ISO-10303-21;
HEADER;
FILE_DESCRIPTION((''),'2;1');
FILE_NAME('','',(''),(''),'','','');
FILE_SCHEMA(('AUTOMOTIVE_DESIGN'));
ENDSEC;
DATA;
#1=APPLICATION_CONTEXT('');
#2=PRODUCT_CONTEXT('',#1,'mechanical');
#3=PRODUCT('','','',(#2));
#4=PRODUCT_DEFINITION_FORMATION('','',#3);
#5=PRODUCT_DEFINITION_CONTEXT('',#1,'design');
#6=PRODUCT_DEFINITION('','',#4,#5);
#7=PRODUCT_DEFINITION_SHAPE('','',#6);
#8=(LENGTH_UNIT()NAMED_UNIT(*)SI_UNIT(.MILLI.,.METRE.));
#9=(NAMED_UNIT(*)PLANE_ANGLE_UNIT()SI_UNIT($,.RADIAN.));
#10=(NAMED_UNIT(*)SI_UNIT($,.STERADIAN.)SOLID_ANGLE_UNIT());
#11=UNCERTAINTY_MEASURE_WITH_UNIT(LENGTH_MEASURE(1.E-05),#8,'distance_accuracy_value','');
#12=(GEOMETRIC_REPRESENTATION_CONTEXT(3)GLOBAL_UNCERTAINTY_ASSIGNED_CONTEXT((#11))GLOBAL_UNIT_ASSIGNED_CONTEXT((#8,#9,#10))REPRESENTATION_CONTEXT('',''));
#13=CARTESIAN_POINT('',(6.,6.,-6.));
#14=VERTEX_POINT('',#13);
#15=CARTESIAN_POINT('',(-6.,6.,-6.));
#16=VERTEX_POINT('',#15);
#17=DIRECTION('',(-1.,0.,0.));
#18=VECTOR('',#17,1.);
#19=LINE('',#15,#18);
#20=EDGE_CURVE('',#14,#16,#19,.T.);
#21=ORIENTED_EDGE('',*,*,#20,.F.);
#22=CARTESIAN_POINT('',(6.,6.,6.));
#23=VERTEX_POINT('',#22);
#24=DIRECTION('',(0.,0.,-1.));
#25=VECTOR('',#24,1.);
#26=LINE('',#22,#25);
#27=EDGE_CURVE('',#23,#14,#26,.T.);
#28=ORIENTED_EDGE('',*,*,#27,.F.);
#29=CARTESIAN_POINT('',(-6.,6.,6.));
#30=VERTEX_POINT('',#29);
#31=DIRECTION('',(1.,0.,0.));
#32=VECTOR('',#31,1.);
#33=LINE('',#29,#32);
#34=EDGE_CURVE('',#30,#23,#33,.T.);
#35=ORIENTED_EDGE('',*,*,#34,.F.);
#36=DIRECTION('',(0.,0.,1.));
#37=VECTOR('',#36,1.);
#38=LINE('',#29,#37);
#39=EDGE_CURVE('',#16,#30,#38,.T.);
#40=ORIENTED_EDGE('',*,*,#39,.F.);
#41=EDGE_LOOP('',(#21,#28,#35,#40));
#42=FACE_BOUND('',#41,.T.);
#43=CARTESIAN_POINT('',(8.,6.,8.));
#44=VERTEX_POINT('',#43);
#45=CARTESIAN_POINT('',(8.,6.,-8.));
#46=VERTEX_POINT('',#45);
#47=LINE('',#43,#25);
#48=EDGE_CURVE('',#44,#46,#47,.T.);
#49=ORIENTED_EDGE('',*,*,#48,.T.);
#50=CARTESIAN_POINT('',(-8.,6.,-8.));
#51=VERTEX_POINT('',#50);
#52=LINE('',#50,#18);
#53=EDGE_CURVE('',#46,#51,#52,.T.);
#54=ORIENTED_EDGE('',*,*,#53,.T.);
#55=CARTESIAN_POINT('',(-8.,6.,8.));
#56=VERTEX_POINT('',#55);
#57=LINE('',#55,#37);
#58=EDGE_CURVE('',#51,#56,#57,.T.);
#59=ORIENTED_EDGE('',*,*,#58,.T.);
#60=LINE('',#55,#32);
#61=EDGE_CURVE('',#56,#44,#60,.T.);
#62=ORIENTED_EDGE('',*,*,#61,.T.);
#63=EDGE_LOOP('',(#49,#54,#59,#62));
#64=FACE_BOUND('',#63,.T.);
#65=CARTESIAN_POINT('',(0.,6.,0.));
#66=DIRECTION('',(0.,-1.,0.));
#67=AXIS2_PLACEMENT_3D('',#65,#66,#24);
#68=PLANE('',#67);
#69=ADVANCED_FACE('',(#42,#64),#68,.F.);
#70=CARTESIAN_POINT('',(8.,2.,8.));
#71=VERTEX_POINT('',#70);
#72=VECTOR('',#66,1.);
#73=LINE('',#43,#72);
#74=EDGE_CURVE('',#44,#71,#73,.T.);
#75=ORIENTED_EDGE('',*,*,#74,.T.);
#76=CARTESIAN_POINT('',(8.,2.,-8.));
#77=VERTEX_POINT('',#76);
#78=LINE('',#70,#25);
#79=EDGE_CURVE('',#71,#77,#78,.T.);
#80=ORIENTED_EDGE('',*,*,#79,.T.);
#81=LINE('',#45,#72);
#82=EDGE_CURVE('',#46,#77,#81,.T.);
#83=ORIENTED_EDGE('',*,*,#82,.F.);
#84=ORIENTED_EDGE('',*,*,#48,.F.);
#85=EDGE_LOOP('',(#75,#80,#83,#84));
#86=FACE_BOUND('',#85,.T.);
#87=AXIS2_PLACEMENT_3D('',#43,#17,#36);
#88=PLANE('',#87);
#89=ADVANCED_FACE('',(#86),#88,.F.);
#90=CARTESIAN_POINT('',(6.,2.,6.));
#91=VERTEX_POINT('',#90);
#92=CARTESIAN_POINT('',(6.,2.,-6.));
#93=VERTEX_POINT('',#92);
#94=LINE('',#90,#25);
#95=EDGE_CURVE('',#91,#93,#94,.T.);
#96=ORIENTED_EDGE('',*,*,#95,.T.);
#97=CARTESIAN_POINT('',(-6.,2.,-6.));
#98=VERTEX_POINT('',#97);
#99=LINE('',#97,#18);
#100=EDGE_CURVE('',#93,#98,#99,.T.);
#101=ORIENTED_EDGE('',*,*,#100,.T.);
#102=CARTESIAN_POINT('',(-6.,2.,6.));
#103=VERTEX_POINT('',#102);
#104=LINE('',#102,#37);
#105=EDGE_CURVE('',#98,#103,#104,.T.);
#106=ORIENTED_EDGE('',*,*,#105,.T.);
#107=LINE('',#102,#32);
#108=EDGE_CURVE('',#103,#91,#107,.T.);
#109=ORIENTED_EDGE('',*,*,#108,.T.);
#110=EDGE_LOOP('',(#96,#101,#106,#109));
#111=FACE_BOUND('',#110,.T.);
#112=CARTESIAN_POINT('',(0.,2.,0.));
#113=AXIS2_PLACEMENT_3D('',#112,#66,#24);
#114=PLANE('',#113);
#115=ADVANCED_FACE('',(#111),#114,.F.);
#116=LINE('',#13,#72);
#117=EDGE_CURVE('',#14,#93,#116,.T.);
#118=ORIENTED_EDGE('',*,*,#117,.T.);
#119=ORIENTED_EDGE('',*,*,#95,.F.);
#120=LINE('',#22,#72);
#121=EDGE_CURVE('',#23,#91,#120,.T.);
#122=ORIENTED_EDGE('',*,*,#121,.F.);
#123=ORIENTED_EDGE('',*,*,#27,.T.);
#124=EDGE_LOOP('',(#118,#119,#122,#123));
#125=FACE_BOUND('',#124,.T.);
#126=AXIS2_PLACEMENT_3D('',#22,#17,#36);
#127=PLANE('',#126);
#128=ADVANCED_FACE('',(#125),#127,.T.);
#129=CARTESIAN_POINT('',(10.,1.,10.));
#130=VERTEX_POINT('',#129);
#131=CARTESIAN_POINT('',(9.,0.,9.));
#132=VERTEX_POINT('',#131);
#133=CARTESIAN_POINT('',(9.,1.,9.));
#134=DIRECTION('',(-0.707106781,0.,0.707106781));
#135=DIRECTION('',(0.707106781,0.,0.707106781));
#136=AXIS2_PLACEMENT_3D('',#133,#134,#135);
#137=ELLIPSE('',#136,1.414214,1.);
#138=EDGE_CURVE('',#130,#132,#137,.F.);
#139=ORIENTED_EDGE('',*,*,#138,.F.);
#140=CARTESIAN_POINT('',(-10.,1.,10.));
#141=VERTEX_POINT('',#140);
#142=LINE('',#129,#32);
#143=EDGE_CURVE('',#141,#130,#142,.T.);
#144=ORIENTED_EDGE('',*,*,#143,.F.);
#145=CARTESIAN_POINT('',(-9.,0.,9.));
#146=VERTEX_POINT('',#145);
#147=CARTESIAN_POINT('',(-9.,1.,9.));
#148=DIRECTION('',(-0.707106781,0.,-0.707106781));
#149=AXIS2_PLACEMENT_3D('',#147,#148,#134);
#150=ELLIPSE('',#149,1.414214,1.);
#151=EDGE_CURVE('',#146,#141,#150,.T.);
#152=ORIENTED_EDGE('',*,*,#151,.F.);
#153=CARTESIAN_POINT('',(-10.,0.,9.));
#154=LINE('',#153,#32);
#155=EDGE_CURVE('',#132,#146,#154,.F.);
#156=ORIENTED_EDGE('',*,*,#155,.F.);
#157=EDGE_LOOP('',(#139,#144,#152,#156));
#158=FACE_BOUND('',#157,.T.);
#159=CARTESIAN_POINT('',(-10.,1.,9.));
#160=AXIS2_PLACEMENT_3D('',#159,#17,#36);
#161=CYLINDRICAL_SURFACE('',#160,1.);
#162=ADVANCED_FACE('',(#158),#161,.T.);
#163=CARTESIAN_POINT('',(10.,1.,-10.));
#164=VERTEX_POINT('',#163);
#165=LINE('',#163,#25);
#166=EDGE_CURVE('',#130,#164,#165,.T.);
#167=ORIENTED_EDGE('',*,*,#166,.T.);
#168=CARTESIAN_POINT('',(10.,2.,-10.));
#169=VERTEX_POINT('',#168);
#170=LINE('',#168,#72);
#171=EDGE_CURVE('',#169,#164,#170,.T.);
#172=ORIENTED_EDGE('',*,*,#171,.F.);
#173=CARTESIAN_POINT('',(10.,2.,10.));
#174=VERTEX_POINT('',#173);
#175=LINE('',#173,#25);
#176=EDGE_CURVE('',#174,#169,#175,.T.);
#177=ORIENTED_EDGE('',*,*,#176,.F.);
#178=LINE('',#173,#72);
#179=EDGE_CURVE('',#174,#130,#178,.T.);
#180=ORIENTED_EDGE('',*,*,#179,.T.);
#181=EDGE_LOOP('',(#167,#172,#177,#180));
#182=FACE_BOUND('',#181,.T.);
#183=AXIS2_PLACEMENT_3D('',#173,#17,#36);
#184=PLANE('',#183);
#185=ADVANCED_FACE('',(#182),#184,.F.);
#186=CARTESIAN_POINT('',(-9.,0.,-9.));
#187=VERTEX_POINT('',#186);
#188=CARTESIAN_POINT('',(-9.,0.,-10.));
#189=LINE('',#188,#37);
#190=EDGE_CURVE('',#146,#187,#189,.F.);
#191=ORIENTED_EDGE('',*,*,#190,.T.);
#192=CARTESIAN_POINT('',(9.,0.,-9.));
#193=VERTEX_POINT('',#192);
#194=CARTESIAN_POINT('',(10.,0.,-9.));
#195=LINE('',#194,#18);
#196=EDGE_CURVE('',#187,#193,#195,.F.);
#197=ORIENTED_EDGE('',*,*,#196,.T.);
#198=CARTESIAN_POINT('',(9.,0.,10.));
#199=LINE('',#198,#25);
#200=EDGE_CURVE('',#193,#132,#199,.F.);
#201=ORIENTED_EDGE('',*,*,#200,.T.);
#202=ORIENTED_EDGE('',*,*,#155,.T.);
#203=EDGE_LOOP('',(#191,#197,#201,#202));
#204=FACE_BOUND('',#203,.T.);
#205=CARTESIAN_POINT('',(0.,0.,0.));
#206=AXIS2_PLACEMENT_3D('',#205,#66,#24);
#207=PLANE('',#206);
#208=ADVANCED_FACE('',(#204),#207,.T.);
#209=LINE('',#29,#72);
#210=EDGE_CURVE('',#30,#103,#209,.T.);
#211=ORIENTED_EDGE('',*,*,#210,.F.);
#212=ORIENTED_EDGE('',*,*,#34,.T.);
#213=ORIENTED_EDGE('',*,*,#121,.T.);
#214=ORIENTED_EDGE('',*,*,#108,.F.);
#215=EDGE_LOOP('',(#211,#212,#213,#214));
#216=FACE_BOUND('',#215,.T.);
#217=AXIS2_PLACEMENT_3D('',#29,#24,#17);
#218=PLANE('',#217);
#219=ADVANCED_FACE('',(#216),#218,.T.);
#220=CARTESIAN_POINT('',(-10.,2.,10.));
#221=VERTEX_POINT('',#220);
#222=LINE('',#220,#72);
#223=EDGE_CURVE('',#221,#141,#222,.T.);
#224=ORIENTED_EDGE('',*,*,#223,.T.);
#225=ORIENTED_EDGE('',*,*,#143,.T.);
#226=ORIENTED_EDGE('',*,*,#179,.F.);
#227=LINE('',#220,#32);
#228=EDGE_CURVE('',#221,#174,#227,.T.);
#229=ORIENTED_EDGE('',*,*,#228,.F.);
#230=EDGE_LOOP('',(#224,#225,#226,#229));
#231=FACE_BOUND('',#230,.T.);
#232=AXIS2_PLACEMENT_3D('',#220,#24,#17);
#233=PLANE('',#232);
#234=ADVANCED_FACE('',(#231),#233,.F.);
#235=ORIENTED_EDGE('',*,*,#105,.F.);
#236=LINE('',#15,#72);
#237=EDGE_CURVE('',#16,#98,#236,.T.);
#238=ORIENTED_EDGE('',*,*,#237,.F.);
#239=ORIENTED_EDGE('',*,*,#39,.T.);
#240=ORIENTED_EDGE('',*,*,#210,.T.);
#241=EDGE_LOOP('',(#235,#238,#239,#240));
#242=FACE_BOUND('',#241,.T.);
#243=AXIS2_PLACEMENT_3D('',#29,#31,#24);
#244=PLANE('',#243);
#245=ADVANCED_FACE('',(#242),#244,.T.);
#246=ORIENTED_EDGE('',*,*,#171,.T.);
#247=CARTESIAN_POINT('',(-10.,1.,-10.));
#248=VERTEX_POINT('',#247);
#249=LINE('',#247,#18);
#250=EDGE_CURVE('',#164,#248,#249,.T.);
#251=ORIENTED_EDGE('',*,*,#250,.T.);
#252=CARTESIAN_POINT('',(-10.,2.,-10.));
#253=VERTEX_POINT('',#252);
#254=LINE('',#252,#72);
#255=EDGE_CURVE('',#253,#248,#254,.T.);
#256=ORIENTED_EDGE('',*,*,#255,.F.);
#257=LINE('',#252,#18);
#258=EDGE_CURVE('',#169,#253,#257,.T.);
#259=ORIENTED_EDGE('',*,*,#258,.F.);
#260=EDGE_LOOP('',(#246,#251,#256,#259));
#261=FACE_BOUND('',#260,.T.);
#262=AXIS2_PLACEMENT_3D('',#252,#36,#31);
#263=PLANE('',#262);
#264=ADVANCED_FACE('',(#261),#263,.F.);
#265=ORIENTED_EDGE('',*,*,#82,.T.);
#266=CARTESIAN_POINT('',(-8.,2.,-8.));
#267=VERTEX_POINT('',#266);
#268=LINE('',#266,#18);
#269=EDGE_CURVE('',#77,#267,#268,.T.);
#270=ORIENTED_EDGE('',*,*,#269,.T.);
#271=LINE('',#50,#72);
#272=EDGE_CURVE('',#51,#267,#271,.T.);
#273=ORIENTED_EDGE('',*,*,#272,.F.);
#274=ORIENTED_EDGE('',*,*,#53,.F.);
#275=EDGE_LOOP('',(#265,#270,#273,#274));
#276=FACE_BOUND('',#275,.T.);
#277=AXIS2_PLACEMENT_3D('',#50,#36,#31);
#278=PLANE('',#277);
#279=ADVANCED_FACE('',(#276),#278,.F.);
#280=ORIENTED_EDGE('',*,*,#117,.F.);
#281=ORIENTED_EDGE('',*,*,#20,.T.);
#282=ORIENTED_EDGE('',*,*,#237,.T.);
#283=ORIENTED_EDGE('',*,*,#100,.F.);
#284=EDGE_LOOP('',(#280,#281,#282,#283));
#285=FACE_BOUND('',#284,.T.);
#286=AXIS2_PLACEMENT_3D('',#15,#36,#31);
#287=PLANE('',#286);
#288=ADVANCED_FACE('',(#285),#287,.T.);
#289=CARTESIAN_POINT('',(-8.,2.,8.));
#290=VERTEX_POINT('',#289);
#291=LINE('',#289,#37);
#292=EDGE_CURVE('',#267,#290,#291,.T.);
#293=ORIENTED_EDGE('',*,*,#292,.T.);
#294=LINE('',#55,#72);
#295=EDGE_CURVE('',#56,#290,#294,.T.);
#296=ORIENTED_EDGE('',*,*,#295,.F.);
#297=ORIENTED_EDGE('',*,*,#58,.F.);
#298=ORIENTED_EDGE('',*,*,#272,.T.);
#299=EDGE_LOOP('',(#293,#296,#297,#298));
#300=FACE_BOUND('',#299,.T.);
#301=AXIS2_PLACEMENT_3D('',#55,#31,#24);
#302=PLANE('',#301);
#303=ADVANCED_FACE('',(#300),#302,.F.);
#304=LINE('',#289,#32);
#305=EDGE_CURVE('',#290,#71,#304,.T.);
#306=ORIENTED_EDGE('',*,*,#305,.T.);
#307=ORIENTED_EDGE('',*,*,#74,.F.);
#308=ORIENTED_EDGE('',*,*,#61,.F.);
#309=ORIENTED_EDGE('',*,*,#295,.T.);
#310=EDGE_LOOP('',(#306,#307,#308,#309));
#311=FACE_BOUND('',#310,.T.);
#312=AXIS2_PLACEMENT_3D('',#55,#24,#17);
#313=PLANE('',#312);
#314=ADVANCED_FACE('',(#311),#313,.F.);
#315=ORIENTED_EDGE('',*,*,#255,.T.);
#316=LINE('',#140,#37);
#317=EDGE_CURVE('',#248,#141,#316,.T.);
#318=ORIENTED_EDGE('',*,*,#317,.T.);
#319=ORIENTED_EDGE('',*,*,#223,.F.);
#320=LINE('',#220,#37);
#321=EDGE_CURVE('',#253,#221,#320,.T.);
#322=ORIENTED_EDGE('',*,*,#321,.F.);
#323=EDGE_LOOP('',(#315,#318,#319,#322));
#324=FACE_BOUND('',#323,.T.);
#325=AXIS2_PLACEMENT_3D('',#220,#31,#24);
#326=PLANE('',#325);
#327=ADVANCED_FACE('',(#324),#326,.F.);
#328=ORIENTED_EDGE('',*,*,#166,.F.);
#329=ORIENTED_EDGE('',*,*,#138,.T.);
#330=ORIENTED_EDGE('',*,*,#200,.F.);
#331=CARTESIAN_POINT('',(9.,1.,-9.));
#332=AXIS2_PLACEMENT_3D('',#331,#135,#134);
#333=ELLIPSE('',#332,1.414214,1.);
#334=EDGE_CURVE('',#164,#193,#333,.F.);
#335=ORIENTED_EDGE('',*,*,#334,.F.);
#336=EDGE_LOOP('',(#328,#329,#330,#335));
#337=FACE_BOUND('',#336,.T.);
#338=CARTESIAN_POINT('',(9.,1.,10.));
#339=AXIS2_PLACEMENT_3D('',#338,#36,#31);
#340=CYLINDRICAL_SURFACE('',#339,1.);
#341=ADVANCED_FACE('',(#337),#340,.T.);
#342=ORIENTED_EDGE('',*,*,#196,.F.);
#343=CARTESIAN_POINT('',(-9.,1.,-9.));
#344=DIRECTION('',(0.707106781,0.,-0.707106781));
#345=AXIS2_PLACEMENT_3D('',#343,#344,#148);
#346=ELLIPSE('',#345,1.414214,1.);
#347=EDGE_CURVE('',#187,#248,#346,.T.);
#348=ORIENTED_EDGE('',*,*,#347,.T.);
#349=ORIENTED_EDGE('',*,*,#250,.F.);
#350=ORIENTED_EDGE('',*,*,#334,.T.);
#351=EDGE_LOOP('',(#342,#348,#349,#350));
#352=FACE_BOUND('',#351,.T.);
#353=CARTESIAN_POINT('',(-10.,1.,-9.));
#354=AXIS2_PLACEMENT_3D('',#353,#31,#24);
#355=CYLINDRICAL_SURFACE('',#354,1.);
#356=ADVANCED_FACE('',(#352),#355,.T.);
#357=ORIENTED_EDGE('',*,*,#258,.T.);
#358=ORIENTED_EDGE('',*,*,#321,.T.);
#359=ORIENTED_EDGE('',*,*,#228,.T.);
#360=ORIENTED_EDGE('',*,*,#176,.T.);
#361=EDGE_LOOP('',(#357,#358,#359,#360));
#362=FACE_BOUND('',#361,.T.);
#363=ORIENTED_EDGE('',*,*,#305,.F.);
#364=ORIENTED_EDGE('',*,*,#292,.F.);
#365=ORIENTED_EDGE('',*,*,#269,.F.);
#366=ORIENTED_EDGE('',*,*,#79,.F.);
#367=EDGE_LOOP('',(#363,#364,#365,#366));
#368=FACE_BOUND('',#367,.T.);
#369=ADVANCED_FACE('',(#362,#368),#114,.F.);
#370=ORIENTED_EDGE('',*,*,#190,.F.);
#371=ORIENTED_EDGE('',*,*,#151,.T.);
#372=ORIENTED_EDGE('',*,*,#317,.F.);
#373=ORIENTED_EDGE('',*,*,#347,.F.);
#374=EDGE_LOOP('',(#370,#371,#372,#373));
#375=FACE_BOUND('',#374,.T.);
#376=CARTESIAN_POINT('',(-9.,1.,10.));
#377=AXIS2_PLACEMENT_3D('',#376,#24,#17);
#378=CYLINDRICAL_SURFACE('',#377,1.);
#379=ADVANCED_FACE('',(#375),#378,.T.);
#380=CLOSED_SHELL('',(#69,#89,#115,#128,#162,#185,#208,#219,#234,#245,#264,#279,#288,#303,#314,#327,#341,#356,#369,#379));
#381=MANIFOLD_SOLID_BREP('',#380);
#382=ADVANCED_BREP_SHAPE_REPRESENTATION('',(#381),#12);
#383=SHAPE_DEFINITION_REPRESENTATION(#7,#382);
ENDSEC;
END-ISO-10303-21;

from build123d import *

# Parameters (mm, degrees)
SKETCH1_W           = 20
SKETCH1_H           = 20
BOSS_EXTRUDE1_DEPTH = 2
SKETCH2_W           = 16
SKETCH2_H           = 16
SKETCH2_W_2         = 12
SKETCH2_H_2         = 12
BOSS_EXTRUDE2_DEPTH = 4
FILLET1_R           = 1


with BuildPart() as part:
    # Sketch1 → Boss-Extrude1 (new body)
    with BuildSketch(Plane(origin=(0, 0, 0), x_dir=(1, 0, 0), z_dir=(0, 1, 0))):
        Rectangle(SKETCH1_W, SKETCH1_H)
    extrude(amount=BOSS_EXTRUDE1_DEPTH)

    # Sketch2 → Boss-Extrude2 (add)
    with BuildSketch(Plane(origin=(0, 2, 0), x_dir=(1, 0, 0), z_dir=(0, 1, 0))):
        Rectangle(SKETCH2_W, SKETCH2_H)
        Rectangle(SKETCH2_W_2, SKETCH2_H_2, mode=Mode.SUBTRACT)
    extrude(amount=BOSS_EXTRUDE2_DEPTH)

    # Fillet1
    fillet1_edges = [part.edges().sort_by_distance(p)[0] for p in [
        (0, 0, 10),
        (-10, 0, 0),
        (0, 0, -10),
        (10, 0, 0),
    ]]
    fillet(fillet1_edges, radius=FILLET1_R)


solid = part.part
